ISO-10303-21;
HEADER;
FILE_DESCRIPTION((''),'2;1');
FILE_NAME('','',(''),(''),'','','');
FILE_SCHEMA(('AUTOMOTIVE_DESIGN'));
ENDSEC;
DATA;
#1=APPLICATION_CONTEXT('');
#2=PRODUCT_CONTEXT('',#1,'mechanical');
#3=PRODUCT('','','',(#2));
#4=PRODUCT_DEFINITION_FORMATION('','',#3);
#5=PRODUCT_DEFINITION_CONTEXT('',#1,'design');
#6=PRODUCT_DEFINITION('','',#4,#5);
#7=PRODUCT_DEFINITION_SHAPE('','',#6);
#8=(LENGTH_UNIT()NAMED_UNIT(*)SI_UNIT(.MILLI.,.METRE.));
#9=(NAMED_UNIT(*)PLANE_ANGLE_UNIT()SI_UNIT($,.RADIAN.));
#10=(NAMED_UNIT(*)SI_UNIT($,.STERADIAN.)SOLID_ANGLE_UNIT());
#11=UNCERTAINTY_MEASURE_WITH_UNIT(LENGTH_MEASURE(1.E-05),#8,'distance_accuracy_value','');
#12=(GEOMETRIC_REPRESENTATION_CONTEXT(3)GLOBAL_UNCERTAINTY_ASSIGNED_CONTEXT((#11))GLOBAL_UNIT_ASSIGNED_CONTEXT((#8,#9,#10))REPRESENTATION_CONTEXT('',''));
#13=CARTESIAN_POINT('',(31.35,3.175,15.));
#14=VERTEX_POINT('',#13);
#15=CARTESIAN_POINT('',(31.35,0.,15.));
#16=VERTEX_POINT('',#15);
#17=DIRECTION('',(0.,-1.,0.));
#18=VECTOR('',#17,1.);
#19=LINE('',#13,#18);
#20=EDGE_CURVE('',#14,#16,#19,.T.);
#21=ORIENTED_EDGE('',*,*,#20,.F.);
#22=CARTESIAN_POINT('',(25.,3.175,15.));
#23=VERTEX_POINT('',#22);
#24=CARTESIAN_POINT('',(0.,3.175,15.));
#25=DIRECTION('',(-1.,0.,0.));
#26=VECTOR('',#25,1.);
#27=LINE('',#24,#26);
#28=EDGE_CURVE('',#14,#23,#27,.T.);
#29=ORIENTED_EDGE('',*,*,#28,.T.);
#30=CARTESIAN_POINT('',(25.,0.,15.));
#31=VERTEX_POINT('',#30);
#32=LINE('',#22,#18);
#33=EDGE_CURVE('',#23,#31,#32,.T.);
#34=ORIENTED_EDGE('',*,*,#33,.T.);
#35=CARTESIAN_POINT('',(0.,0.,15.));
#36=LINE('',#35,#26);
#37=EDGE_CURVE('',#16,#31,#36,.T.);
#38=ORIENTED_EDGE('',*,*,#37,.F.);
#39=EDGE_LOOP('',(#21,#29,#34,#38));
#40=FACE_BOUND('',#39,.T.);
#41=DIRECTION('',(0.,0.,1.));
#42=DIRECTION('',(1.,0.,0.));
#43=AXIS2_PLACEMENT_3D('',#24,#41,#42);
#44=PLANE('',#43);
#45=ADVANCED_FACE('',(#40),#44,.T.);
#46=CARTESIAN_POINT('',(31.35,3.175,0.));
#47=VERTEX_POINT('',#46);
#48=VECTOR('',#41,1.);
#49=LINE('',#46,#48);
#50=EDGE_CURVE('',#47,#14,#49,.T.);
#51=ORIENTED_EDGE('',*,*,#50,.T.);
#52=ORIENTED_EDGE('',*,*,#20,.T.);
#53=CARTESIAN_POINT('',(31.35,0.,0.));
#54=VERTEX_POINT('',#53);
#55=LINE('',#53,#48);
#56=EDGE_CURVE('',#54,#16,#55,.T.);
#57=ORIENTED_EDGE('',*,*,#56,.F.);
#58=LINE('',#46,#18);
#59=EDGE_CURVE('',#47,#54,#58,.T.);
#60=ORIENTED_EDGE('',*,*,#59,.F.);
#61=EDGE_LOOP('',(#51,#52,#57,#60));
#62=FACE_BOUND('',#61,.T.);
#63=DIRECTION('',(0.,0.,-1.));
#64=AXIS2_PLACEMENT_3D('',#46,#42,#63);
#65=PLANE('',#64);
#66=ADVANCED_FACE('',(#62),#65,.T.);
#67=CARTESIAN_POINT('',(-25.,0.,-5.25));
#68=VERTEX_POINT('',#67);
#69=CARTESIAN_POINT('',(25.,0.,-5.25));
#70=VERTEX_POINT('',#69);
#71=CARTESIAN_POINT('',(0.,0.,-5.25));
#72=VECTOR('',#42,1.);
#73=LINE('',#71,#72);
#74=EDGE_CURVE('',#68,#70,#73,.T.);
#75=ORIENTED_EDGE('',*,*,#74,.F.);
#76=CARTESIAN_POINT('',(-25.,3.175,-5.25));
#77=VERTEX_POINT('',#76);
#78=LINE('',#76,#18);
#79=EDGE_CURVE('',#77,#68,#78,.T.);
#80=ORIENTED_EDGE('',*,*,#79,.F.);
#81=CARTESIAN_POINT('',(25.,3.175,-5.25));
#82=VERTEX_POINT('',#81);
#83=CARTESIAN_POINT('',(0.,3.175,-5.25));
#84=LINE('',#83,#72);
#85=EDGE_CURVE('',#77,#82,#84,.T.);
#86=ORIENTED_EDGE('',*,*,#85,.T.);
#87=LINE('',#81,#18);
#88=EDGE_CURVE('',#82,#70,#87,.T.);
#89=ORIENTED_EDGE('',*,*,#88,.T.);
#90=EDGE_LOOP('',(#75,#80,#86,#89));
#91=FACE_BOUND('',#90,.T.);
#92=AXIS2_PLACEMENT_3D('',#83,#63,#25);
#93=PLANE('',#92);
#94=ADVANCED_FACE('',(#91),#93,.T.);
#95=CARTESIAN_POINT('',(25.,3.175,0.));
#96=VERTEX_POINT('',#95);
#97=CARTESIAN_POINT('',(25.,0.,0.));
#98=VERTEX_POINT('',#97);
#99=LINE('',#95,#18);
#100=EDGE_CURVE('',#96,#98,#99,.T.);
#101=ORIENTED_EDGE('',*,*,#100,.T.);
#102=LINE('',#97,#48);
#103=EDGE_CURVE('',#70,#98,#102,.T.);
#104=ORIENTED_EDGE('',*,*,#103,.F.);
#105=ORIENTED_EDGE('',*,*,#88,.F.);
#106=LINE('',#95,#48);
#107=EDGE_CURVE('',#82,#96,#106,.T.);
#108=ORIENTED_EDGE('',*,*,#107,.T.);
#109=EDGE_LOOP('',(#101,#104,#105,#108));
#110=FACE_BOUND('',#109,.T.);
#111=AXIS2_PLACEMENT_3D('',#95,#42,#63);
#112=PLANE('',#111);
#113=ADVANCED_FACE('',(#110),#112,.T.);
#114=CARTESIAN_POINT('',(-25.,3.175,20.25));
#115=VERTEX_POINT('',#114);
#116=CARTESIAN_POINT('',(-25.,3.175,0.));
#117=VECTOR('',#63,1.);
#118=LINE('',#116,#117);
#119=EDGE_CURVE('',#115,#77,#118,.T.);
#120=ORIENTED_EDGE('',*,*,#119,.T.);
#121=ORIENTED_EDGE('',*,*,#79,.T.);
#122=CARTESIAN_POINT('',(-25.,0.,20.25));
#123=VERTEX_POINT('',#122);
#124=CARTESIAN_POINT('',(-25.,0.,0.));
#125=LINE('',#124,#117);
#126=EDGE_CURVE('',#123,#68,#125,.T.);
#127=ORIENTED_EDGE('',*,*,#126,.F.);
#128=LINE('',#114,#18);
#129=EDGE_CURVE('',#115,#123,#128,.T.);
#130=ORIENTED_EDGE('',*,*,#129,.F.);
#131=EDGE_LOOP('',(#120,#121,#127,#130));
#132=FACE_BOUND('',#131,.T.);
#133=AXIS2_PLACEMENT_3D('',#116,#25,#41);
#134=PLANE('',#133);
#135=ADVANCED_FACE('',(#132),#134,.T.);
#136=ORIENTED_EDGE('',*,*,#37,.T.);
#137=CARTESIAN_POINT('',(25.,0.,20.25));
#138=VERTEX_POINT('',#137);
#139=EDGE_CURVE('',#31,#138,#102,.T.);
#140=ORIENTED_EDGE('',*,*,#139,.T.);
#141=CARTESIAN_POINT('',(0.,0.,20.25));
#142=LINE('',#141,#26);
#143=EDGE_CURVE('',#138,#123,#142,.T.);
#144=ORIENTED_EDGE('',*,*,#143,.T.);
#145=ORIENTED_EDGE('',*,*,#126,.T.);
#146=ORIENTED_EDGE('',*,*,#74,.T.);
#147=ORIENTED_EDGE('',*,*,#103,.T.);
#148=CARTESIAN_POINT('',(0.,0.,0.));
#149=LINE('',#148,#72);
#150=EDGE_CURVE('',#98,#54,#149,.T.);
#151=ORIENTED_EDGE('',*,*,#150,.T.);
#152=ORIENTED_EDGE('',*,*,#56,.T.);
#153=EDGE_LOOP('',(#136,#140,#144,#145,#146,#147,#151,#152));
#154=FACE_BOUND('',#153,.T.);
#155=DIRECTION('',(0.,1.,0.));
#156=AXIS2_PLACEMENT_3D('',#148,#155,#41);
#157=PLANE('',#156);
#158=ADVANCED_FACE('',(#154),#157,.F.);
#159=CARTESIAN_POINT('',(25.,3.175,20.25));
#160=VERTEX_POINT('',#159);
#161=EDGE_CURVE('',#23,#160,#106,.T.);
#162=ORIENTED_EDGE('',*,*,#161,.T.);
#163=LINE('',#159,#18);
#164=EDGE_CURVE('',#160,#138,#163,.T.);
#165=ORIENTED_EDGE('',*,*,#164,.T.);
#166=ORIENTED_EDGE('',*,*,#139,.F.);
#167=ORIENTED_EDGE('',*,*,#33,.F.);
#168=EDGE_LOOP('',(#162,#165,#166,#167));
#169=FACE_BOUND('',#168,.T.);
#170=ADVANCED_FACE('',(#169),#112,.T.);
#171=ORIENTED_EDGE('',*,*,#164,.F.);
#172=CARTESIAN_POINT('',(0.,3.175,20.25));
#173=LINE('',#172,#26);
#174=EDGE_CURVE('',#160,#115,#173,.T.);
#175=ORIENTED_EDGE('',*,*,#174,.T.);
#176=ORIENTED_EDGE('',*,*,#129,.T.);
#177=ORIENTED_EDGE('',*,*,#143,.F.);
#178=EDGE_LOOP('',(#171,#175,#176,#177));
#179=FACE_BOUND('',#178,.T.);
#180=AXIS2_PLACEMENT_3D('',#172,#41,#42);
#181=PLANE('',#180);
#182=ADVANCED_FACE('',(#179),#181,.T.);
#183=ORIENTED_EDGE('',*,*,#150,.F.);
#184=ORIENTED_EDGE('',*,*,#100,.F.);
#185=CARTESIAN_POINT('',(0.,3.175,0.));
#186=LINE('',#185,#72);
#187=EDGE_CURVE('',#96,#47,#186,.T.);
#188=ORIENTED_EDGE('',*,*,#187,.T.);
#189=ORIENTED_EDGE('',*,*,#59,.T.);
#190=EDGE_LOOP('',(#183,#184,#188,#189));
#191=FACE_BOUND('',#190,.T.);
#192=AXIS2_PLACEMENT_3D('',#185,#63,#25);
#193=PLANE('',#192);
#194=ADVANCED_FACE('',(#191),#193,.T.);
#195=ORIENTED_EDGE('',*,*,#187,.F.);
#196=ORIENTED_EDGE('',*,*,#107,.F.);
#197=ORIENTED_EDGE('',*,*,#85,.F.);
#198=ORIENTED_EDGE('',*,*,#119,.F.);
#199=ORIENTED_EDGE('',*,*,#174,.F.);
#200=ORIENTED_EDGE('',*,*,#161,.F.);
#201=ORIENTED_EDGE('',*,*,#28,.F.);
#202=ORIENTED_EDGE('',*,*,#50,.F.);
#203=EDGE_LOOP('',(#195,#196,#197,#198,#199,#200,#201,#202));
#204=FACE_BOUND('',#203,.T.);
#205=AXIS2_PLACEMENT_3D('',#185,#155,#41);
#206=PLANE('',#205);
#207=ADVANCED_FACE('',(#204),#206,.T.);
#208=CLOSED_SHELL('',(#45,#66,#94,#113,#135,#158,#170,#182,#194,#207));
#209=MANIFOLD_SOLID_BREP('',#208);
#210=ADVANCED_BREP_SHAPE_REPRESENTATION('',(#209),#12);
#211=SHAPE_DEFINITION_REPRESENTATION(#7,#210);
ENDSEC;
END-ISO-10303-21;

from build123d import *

# Parameters (mm, degrees)
BOSS_EXTRUDE1_DEPTH = 3.175


with BuildPart() as part:
    # Sketch1 → Boss-Extrude1 (new body)
    with BuildSketch(Plane(origin=(0, 0, 0), x_dir=(1, 0, 0), z_dir=(0, 1, 0))):
        Polygon((-25, 0), (-25, 5.25), (25, 5.25), (25, 0), (31.35, 0), (31.35, -15), (25, -15), (25, -20.25), (-25, -20.25), (-25, -15), align=None)
    extrude(amount=BOSS_EXTRUDE1_DEPTH)


solid = part.part
